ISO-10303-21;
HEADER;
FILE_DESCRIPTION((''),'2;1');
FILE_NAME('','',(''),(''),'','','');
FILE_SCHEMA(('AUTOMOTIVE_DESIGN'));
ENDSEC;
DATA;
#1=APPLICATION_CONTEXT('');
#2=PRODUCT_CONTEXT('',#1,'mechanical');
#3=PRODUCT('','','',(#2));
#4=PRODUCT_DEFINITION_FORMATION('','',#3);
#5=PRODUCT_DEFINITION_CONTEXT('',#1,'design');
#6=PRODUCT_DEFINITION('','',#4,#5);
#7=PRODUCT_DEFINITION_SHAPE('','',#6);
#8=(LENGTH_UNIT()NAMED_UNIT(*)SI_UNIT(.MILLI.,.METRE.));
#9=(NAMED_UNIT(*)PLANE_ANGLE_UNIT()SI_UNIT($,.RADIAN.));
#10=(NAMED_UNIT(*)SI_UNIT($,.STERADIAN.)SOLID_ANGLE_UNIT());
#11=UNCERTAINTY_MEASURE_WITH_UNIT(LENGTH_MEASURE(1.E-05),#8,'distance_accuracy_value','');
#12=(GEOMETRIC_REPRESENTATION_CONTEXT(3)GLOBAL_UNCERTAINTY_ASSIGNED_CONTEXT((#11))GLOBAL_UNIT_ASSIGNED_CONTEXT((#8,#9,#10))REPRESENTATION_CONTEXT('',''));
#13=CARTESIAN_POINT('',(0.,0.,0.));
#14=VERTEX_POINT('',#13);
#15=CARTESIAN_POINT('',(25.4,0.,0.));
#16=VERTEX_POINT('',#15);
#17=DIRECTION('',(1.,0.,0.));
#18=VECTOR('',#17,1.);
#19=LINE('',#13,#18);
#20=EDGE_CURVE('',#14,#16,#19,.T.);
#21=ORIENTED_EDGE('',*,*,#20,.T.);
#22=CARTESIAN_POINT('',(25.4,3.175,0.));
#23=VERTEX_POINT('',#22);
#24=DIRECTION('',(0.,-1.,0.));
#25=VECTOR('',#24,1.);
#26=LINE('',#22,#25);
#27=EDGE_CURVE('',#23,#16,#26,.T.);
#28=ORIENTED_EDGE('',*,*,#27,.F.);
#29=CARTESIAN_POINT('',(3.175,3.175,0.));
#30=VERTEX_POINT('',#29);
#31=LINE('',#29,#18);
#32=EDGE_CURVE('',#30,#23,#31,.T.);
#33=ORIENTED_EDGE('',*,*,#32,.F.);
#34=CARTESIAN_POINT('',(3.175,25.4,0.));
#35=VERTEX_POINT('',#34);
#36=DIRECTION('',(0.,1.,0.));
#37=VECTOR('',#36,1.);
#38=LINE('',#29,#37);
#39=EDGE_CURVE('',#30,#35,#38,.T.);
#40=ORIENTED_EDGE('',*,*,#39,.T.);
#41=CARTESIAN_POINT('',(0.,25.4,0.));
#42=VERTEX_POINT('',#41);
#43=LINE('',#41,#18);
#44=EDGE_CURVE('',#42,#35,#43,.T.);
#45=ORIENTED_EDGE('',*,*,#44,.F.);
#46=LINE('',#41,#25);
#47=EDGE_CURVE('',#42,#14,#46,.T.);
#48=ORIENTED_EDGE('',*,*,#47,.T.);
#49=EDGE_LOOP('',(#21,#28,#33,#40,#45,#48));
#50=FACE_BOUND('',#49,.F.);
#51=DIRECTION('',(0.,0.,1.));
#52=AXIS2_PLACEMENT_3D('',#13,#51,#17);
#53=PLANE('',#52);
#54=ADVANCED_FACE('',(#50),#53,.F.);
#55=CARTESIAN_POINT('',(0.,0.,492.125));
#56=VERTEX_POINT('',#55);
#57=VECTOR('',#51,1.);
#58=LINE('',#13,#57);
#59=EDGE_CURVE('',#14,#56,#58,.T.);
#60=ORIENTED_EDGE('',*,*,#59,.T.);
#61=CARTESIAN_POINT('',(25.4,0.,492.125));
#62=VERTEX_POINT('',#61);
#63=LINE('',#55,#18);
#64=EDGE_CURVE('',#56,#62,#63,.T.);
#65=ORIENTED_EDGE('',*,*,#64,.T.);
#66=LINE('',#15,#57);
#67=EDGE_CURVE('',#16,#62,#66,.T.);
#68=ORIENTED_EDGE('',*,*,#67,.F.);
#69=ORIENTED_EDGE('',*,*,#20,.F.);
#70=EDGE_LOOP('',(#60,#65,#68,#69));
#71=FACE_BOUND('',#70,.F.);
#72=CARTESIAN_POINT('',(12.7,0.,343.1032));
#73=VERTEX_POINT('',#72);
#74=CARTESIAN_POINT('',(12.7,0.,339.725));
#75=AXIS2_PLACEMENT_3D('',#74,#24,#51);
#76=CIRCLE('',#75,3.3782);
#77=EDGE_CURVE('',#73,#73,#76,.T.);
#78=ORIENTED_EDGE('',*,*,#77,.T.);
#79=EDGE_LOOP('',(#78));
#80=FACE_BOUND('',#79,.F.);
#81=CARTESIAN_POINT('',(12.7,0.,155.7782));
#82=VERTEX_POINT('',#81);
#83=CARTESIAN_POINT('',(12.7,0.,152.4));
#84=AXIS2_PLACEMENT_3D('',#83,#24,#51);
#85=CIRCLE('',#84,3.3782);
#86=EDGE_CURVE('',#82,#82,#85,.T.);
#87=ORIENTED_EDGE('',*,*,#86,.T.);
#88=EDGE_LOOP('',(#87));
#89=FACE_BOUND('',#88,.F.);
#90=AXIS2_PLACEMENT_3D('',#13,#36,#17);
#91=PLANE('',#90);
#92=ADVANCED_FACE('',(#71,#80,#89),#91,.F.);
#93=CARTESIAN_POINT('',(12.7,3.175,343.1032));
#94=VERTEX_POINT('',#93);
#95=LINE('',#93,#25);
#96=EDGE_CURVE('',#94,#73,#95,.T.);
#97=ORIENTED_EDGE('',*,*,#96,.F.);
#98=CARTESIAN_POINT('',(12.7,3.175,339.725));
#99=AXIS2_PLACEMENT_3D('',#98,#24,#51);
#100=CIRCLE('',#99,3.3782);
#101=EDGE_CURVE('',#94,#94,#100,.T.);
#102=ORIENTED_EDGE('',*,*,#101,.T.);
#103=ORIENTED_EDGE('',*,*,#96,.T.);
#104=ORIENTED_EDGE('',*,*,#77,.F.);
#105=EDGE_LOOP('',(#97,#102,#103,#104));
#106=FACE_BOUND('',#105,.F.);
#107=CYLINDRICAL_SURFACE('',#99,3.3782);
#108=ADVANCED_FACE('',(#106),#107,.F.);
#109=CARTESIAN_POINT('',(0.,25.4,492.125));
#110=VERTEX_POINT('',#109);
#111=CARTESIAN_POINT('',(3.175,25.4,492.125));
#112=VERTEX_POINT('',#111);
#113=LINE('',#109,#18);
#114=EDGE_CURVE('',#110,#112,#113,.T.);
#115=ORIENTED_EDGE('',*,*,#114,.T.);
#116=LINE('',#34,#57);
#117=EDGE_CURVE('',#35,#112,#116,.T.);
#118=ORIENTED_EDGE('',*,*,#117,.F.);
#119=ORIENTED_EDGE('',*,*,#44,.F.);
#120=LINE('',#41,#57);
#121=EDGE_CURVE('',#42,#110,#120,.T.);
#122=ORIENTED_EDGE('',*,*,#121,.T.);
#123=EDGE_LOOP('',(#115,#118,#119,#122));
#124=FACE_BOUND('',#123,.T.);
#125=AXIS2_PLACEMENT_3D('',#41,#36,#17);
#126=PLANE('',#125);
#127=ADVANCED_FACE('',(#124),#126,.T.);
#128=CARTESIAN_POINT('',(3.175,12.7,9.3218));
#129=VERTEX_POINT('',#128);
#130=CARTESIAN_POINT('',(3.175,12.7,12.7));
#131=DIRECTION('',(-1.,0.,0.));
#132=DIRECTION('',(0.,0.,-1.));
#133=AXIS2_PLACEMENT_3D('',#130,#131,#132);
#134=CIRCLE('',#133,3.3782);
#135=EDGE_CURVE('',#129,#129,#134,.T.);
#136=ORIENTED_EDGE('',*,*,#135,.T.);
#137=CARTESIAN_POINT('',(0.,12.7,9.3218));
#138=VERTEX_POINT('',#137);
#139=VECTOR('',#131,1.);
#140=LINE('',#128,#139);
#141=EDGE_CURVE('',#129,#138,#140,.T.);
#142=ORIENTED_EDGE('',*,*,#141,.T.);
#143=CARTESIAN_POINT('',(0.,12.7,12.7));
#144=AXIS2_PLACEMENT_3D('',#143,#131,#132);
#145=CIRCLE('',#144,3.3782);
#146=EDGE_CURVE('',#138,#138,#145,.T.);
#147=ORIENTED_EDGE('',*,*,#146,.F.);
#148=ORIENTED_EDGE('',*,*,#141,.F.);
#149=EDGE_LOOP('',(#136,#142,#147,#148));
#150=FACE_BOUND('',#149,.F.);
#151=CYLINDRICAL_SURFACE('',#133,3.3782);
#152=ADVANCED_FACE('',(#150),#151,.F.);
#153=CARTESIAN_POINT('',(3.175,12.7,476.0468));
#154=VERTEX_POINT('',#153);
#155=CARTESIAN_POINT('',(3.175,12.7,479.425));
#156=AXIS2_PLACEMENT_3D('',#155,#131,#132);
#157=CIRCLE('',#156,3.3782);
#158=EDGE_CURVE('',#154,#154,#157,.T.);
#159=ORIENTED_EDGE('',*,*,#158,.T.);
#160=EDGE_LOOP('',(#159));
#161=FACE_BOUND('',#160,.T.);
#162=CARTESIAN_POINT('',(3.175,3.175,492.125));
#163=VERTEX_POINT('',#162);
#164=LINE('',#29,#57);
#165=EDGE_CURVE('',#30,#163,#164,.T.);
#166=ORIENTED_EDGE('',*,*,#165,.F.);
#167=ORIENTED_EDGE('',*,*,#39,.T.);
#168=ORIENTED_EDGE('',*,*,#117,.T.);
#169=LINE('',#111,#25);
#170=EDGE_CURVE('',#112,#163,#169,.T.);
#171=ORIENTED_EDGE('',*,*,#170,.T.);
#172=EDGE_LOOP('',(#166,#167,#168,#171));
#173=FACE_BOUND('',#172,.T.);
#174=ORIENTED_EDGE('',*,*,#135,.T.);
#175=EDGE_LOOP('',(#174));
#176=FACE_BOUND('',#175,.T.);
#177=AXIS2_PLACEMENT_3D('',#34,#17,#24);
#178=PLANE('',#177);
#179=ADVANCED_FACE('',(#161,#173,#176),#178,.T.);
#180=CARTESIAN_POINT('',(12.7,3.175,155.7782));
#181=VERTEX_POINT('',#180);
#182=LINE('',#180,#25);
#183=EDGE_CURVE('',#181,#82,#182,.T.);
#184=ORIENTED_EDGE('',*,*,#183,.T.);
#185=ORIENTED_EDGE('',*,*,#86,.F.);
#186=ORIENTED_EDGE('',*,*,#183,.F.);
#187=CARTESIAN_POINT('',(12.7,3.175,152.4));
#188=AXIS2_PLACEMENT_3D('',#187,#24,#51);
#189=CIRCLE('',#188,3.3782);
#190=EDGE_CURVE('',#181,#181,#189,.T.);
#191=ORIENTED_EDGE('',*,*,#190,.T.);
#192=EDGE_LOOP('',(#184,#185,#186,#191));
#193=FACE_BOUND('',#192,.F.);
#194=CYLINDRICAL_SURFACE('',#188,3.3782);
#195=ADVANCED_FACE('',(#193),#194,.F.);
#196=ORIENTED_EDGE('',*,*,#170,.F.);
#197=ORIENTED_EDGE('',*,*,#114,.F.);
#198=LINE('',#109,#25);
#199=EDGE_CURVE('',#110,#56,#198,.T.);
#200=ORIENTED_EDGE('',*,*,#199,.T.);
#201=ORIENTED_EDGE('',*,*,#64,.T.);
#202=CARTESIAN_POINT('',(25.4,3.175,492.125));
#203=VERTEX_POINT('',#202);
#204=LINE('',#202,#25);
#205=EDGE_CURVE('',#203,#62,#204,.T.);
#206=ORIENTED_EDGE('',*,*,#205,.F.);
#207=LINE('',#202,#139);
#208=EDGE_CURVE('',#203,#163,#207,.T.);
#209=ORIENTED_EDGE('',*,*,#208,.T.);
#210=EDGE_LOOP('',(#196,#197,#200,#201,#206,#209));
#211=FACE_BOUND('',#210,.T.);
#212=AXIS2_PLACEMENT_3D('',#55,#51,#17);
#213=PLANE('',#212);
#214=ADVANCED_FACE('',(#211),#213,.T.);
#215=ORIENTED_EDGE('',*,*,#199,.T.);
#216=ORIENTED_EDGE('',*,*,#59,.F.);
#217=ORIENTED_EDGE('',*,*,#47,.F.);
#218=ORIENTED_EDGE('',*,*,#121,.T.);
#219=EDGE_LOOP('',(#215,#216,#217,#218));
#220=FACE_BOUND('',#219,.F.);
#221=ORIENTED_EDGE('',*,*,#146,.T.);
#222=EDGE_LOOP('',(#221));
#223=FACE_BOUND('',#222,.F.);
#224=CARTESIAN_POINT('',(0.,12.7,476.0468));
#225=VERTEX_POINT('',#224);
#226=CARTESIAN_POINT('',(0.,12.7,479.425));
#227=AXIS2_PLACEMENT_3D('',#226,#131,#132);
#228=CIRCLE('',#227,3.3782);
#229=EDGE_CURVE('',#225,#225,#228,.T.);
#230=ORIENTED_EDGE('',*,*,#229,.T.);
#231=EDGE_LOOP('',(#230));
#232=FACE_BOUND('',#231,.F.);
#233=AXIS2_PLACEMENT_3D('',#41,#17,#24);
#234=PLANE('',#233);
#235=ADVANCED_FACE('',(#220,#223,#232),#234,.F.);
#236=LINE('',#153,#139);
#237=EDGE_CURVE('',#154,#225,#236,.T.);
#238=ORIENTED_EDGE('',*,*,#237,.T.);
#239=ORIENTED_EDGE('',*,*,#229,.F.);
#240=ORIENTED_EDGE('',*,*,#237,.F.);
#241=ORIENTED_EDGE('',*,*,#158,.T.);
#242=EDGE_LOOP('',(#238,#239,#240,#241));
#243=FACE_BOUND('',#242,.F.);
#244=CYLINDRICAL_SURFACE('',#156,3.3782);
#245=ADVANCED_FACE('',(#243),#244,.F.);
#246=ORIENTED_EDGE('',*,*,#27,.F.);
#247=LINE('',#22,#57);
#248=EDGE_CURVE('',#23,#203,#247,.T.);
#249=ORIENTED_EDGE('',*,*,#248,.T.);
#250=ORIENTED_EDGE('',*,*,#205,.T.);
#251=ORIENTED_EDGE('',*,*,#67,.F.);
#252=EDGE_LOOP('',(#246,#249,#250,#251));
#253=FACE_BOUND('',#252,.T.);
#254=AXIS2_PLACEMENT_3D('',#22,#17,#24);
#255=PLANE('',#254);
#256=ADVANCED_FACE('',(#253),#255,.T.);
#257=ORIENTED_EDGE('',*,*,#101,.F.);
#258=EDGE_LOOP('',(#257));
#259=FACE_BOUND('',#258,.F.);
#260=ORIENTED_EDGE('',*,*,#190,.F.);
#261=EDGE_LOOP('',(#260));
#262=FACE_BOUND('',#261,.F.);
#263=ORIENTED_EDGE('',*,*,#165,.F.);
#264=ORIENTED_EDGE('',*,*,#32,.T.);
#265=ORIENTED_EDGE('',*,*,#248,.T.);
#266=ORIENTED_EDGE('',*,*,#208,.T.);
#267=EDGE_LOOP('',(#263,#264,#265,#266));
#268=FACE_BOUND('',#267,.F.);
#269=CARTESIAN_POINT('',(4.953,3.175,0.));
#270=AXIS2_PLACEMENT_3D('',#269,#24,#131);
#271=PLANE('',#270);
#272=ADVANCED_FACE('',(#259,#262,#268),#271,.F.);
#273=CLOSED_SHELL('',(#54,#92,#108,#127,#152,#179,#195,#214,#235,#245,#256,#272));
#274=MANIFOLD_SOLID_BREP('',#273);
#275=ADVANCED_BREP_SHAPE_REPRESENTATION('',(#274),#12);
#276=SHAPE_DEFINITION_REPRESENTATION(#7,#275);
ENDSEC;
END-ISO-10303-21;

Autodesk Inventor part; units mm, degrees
ref_plane "YZ Plane" through (0, 0, 0) normal (1, 0, 0) x (0, 1, 0)
ref_plane "XZ Plane" through (0, 0, 0) normal (0, 1, 0) x (-1, 0, 0)
ref_plane "XY Plane" through (0, 0, 0) normal (0, 0, 1) x (1, 0, 0)
sketch "Sketch1" plane through (0, 0, 0) normal (0, 0, 1) x (1, 0, 0)
  line L0 (0, 25.4) -> (0, 0)
  line L1 (0, 0) -> (25.4, 0)
  line L2 (3.175, 25.4) -> (3.175, 4.953)
  line L3 (4.953, 3.175) -> (25.4, 3.175)
  line L4 (0, 25.4) -> (3.175, 25.4)
  line L5 (25.4, 3.175) -> (25.4, 0)
  line L6 (3.175, 4.953) -> (3.175, 3.175)
  line L7 (4.953, 3.175) -> (3.175, 3.175)
  dimension "d0" = 25.4
  dimension "d1" = 25.4
  dimension "d2" = 3.175
extrude "Extrusion1" add sketch "Sketch1" along normal blind 492.125
sketch "Sketch7" plane through (3.175, 3.175, 0) normal (1, 0, 0) x (0, 0, -1)
  circle A0 centre (-479.425, 9.525) radius 2.8124
  line L0 (0, 22.225) -> (-492.125, 22.225) projected
  line L1 (-492.125, 0) -> (-492.125, 22.225) projected
  circle A1 centre (-12.7, 9.525) radius 2.8124
  point P0 (0, -3.175)
  dimension "d43" = 12.7
  dimension "d44" = 12.7
  dimension "d47" = 466.725
hole "Hole4" at (3.175, 12.7, 479.425) at (3.175, 12.7, 12.7) direction (-1, 0, 0) diameter 6.7564 depth 25.4 tip angle 118 clearance for "Flat Head Machine Screw (82)" size "1/4" standard "Ansi Unified Screw Threads"
sketch "Sketch8" plane through (3.175, 3.175, 0) normal (0, 1, 0) x (1, 0, 0)
  circle A0 centre (9.525, -339.725) radius 5.1637
  line L0 (22.225, 0) -> (22.225, -492.125) projected
  line L1 (22.225, -492.125) -> (0, -492.125) projected
  point P0 (-3.175, 0)
  dimension "d59" = 12.7
  dimension "d60" = 152.4
hole "Hole5" at (12.7, 3.175, 339.725) direction (0, -1, 0) diameter 6.7564 depth 25.4 tip angle 118 clearance for "Flat Head Machine Screw (82)" size "1/4" standard "Ansi Unified Screw Threads"
sketch "Sketch9" plane through (3.175, 3.175, 0) normal (0, 1, 0) x (1, 0, 0)
  circle A0 centre (9.525, -152.4) radius 4.6363
  line L0 (22.225, 0) -> (22.225, -492.125) projected
  line L1 (22.225, 0) -> (0, 0) projected
  point P0 (-3.175, 0)
  dimension "d68" = 12.7
  dimension "d69" = 152.4
hole "Hole6" at (12.7, 3.175, 152.4) direction (0, -1, 0) diameter 6.7564 depth 25.4 tip angle 118 clearance for "Flat Head Machine Screw (82)" size "1/4" standard "Ansi Unified Screw Threads"
